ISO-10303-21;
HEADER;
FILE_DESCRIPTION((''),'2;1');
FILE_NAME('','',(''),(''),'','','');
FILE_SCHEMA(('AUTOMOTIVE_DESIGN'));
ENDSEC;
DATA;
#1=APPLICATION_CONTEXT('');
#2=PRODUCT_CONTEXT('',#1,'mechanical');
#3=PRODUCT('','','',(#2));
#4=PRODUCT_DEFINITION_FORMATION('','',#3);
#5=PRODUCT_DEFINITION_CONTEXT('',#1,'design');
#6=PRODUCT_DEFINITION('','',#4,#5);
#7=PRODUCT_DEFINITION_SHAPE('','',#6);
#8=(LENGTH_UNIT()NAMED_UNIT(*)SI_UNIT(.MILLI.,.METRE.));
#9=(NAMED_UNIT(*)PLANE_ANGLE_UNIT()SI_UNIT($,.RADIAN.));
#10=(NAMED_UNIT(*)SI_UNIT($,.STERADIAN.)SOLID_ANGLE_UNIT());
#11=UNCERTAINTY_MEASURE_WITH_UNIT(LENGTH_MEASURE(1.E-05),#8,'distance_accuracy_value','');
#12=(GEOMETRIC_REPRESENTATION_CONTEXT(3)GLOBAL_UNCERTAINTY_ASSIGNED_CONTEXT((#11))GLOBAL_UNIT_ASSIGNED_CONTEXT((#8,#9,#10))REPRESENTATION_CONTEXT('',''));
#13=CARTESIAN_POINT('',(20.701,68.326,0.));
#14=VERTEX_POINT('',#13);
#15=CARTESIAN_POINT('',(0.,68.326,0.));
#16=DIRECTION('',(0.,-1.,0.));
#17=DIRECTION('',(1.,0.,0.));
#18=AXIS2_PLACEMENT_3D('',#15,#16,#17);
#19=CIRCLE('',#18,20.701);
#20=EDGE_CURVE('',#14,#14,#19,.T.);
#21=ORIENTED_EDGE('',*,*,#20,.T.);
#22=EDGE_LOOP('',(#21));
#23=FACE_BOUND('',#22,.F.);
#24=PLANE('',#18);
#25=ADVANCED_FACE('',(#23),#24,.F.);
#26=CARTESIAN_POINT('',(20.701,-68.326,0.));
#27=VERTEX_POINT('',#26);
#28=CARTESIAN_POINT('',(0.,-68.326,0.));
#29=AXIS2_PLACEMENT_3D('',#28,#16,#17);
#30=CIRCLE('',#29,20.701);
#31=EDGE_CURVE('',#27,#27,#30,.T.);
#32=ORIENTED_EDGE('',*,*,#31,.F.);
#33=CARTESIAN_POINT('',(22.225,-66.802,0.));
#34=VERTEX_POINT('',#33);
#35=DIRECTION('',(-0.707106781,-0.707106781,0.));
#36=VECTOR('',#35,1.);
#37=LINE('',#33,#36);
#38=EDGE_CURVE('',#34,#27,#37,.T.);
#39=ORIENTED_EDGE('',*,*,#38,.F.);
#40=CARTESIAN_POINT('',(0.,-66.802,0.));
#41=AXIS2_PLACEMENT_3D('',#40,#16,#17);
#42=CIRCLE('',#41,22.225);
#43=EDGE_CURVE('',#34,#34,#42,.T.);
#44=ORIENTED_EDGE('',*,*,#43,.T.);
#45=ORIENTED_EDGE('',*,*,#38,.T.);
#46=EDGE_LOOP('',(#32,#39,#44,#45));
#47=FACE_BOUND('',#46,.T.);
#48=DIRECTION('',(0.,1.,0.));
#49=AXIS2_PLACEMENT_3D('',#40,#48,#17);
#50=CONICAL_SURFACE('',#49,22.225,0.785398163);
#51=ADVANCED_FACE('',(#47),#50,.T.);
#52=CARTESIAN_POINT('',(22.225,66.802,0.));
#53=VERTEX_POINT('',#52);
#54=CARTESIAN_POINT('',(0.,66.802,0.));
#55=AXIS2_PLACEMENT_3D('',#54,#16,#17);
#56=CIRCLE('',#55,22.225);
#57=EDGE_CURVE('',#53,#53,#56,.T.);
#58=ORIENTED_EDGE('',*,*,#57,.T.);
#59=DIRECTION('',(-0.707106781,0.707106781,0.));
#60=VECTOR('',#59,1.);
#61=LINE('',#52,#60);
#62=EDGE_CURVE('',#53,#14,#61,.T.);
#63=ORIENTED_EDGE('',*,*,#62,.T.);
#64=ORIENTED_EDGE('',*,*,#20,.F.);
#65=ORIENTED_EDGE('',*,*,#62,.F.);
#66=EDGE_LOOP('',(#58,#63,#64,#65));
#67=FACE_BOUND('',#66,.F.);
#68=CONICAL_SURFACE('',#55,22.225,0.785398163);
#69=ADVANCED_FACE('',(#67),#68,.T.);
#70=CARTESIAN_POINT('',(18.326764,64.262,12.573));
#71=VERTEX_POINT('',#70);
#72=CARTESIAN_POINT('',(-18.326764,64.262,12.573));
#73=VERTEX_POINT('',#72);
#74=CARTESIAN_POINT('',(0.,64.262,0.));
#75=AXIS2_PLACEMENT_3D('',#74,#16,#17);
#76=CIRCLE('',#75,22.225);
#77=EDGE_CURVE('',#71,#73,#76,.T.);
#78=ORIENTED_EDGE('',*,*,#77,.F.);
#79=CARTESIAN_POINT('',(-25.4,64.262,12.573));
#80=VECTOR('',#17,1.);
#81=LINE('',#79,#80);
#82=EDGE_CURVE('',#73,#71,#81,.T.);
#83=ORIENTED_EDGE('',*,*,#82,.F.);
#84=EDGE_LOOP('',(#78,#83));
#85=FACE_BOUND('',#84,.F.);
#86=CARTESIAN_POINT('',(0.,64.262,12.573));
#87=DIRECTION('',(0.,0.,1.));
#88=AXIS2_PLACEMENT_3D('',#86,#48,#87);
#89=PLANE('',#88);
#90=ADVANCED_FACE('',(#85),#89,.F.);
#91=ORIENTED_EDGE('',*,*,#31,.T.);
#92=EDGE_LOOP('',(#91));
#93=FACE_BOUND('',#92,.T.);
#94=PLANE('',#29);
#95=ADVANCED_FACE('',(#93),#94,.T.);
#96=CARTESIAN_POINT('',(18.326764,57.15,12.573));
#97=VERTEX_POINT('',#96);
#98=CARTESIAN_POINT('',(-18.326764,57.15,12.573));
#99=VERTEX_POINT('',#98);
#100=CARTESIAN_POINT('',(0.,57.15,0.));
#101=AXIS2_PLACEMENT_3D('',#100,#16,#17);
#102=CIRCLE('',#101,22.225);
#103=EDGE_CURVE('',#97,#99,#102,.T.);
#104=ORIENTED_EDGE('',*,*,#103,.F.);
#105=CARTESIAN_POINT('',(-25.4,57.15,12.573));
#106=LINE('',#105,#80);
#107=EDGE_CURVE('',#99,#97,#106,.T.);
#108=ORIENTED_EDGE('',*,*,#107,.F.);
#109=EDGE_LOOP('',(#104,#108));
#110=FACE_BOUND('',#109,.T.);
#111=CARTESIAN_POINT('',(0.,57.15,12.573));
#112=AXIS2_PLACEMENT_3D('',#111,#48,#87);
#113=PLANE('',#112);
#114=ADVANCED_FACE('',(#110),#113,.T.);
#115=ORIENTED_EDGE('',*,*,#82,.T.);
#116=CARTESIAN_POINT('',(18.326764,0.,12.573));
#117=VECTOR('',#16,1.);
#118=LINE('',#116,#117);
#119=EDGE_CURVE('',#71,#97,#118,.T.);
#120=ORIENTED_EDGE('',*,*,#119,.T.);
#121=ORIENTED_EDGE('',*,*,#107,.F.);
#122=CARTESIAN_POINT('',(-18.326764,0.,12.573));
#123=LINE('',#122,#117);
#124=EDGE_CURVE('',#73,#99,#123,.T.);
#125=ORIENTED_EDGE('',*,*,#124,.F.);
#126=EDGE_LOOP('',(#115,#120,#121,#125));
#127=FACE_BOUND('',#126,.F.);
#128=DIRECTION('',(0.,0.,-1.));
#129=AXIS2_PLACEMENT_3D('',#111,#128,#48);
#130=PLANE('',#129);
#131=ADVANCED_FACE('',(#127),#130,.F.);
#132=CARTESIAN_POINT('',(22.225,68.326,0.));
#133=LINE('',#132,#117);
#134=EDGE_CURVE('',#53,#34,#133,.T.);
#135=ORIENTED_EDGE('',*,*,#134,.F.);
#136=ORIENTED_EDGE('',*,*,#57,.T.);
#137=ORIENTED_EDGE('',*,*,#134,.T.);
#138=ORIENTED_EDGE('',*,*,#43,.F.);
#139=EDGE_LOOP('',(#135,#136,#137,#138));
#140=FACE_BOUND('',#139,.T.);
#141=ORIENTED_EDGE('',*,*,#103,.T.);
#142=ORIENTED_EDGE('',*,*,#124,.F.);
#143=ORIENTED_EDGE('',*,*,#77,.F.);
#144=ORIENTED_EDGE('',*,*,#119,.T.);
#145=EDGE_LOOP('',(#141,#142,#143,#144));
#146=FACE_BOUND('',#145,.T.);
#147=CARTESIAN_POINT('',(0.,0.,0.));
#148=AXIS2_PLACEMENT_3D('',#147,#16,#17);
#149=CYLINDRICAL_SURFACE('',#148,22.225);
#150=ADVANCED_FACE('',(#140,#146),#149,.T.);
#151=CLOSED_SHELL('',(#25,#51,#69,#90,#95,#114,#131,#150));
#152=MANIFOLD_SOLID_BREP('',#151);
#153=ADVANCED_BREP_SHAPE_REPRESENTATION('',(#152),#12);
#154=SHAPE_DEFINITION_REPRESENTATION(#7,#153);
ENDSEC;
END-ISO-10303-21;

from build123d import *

# Parameters (mm, degrees)
F0_R     = 22.225
F1_DEPTH = 68.326
F2_SIZE  = 1.524
F3_W     = 7.112
F3_H     = 19.304
F4_DEPTH = 25.4


with BuildPart() as f1:
    # F0 (on Front) → F1 (new body, symmetric)
    with BuildSketch(Plane.XZ):
        Circle(F0_R)
    extrude(amount=F1_DEPTH, both=True)

    # F2
    f2_edges = [f1.edges().sort_by_distance(p)[0] for p in [
        (-22.225, -68.326, 0),
        (-22.225, 68.326, 0),
    ]]
    chamfer(f2_edges, length=F2_SIZE)

    # F3 (on Right) → F4 (cut, symmetric)
    with BuildSketch(Plane.YZ):
        with Locations((60.706, 22.225)):
            Rectangle(F3_W, F3_H)
    extrude(amount=F4_DEPTH, both=True, mode=Mode.SUBTRACT)


solid = f1.part
